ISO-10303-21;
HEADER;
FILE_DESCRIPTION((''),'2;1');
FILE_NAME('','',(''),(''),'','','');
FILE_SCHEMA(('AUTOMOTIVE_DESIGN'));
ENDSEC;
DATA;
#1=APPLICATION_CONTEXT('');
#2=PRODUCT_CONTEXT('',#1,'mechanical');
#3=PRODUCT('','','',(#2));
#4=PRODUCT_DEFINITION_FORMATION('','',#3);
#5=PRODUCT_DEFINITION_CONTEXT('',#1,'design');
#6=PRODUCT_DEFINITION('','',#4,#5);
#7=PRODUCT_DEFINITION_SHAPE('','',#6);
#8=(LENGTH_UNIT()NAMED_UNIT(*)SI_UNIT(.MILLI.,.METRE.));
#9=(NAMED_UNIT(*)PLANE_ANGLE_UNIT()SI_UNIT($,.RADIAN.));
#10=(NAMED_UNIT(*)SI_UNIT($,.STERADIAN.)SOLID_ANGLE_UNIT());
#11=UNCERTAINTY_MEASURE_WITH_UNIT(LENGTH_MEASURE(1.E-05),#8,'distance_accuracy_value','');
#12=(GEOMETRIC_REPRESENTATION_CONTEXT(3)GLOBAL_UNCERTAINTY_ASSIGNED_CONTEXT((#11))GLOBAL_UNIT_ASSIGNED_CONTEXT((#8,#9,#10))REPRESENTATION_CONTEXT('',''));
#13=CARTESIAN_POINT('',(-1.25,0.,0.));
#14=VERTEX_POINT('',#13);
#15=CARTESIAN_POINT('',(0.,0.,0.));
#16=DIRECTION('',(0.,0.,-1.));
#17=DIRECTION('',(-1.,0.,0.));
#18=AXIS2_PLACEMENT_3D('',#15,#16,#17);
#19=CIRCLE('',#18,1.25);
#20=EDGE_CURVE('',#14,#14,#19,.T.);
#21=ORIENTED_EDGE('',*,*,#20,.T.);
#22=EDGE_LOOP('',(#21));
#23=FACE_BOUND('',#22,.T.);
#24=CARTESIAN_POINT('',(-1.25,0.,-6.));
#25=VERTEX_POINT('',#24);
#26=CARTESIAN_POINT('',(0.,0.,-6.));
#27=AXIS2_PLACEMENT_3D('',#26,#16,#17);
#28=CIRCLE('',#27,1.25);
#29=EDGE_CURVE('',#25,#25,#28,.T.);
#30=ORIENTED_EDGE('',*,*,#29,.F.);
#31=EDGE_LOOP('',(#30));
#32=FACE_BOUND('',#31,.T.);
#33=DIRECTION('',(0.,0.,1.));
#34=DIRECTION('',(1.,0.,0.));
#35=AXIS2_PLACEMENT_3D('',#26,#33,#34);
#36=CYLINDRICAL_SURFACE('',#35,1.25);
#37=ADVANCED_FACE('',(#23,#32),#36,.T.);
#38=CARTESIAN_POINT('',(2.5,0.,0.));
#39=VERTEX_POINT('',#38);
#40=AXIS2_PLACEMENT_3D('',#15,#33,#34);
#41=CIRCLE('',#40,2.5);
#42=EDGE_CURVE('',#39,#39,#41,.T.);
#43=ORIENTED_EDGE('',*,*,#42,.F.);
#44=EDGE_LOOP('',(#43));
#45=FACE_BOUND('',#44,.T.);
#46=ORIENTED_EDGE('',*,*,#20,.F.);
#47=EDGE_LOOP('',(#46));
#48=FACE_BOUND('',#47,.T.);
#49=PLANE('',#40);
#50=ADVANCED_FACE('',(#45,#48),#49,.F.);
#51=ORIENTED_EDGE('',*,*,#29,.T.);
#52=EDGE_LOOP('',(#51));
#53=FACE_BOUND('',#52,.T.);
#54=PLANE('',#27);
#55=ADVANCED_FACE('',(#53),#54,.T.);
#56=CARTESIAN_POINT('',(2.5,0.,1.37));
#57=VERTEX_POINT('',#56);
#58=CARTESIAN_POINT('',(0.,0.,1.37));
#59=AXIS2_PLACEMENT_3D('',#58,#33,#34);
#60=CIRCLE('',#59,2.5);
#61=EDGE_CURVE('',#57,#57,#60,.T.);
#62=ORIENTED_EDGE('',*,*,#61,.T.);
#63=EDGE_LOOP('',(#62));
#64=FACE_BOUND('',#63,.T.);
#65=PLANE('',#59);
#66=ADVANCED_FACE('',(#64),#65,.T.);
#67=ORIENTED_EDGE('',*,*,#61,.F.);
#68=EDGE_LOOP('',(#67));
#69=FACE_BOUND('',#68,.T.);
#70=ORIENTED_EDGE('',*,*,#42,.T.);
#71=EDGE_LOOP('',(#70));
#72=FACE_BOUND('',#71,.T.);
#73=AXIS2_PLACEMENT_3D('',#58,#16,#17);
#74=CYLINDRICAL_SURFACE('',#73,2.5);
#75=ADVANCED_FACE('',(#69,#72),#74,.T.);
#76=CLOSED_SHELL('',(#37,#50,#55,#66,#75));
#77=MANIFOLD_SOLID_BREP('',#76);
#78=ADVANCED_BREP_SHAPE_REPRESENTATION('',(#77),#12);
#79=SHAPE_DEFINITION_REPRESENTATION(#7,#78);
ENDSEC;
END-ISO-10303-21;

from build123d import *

# Parameters (mm, degrees)
ESQUISSE1_R        = 2.5
BOSS_EXTRU_1_DEPTH = 1.37
ESQUISSE2_R        = 1.25
BOSS_EXTRU_2_DEPTH = 6


with BuildPart() as part:
    # Esquisse1 → Boss.-Extru.1 (new body)
    with BuildSketch(Plane.XY):
        Circle(ESQUISSE1_R)
    extrude(amount=BOSS_EXTRU_1_DEPTH)

    # Esquisse2 → Boss.-Extru.2 (add)
    with BuildSketch(Plane(origin=(0, 0, 0), x_dir=(-1, 0, 0), z_dir=(0, 0, -1))):
        Circle(ESQUISSE2_R)
    extrude(amount=BOSS_EXTRU_2_DEPTH)


solid = part.part
